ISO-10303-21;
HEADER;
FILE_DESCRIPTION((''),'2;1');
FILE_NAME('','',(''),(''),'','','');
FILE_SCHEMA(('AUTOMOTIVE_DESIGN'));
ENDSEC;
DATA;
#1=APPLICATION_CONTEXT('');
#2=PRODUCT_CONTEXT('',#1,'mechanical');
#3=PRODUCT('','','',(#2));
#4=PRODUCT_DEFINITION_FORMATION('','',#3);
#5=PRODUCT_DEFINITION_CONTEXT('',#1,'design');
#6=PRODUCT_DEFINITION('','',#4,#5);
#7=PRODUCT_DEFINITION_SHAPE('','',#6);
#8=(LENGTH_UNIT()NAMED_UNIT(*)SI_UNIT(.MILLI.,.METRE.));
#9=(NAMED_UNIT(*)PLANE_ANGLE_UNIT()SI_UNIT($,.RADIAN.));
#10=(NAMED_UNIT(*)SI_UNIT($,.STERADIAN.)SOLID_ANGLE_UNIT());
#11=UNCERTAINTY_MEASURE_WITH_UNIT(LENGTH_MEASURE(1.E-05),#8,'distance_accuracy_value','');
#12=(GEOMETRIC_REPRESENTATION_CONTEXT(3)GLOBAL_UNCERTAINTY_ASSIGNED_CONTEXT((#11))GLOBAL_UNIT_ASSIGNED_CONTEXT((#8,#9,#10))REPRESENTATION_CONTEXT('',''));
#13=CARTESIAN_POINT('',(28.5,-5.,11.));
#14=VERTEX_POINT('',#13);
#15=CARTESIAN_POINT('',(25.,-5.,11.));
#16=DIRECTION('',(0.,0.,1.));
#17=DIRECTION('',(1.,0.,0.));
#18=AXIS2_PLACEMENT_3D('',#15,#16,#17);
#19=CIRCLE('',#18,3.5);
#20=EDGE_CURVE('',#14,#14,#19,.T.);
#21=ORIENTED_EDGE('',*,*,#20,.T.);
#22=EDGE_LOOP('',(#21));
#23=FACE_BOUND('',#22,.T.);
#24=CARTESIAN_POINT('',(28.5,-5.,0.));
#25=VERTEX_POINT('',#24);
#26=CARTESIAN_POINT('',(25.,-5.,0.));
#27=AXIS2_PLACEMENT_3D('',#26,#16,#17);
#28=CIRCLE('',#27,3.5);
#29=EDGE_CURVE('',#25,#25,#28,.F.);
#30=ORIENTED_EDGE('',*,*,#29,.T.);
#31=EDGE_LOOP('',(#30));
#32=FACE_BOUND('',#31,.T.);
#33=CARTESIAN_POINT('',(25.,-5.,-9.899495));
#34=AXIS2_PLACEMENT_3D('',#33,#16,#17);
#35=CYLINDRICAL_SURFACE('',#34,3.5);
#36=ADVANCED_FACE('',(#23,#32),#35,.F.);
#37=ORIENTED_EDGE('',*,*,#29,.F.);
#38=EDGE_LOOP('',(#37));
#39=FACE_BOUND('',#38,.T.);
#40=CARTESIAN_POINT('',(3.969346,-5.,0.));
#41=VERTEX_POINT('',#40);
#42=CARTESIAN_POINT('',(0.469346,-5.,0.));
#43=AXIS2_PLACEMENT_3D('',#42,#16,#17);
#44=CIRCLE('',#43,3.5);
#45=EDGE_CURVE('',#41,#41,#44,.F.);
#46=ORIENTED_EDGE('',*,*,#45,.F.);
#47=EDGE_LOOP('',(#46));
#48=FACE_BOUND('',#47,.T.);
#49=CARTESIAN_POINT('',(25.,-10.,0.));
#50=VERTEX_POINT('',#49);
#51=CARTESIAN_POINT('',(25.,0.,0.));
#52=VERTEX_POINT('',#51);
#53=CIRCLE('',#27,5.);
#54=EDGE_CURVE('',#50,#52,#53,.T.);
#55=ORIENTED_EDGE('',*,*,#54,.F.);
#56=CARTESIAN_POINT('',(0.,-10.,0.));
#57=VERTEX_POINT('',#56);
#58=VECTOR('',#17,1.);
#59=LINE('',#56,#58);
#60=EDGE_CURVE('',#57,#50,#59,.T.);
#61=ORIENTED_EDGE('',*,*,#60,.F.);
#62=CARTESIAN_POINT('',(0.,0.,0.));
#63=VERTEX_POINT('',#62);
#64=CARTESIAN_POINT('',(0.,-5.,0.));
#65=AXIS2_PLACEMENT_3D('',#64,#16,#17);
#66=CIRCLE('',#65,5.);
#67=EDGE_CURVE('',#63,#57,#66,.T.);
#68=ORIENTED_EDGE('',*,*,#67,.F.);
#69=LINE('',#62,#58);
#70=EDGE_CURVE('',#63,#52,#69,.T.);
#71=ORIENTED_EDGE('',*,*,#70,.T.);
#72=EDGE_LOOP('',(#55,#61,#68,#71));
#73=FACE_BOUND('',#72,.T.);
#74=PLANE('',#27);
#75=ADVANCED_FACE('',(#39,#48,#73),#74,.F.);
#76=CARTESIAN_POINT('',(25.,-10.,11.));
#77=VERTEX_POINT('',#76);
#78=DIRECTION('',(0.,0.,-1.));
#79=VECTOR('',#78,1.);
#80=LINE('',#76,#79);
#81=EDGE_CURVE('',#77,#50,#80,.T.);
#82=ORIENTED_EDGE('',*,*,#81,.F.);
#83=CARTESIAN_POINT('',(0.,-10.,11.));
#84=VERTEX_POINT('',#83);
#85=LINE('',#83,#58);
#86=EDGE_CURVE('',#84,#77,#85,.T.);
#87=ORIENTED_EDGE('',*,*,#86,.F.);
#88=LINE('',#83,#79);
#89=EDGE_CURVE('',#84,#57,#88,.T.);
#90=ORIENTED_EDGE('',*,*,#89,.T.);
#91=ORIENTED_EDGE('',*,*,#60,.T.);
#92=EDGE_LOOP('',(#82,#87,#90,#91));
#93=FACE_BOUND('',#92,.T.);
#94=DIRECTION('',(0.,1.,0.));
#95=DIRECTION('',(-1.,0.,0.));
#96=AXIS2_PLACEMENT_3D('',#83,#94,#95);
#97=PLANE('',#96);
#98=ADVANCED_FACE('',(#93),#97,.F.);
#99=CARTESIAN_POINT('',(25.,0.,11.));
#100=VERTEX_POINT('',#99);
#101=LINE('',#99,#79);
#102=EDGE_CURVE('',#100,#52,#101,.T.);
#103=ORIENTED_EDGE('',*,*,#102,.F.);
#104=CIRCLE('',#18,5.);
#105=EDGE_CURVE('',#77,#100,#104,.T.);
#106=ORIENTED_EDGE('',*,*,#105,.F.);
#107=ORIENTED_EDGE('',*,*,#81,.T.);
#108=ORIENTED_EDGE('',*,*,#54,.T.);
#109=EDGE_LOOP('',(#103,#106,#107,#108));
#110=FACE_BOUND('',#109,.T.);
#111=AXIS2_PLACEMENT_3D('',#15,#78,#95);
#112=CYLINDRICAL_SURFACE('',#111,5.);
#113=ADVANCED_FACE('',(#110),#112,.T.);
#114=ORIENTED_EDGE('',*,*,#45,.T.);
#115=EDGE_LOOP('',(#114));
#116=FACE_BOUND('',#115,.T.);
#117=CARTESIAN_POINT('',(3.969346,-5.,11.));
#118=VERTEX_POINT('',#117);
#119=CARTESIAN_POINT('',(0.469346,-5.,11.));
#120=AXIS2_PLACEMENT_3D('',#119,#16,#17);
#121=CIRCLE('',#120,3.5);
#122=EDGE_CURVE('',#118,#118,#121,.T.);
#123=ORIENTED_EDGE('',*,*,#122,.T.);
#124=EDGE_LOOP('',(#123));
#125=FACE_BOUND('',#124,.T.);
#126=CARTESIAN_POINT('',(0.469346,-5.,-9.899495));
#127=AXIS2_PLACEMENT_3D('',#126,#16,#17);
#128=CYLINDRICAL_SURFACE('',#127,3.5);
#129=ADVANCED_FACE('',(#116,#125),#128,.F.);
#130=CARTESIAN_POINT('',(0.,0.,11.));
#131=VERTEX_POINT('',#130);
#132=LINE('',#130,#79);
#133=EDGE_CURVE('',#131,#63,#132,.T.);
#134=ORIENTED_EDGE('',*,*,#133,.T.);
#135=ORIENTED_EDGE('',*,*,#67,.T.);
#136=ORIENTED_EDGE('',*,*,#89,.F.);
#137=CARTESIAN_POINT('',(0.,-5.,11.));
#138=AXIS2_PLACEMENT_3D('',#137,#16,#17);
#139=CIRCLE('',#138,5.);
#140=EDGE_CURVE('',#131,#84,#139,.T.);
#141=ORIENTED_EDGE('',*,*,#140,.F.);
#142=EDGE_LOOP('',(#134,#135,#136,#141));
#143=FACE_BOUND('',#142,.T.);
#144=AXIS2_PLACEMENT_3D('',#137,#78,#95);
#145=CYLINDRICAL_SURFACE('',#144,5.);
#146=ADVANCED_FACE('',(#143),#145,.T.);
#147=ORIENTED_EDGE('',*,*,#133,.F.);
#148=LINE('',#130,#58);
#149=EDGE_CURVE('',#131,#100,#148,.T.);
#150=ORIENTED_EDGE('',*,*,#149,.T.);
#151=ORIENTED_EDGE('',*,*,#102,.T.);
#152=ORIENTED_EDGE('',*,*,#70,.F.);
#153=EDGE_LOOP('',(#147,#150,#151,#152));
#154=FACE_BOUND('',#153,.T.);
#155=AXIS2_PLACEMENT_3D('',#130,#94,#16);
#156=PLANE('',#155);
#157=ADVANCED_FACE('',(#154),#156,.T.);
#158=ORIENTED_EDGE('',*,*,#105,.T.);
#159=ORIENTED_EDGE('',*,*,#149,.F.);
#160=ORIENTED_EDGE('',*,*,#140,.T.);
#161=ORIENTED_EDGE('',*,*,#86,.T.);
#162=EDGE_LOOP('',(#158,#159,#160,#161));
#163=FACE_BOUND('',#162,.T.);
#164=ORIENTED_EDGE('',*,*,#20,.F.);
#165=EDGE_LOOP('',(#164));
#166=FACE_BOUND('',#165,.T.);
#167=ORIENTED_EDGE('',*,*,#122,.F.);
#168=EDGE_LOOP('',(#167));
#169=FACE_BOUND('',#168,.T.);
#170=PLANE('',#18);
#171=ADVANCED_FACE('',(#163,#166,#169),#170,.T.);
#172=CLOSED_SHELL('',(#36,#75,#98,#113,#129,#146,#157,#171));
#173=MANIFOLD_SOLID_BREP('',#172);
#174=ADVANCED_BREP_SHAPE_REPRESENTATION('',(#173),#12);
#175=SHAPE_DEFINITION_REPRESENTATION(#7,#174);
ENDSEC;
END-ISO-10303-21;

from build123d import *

# Parameters (mm, degrees)
SKETCH1_R           = 5
SKETCH1_W           = 25
SKETCH1_H           = 10
BOSS_EXTRUDE1_DEPTH = 11
SKETCH2_R           = 3.5
CUT_EXTRUDE1_DEPTH  = 11


with BuildPart() as part:
    # Sketch1 → Boss-Extrude1 (new body)
    with BuildSketch(Plane.XY):
        with Locations((25, -5)):
            Circle(SKETCH1_R)
        with Locations((0, -5)):
            Circle(SKETCH1_R)
        with Locations((12.5, -5)):
            Rectangle(SKETCH1_W, SKETCH1_H)
    extrude(amount=BOSS_EXTRUDE1_DEPTH)

    # Sketch2 → Cut-Extrude1 (cut)
    with BuildSketch(Plane.XY.offset(11)):
        with Locations((0.469346028, -5)):
            Circle(SKETCH2_R)
        with Locations((25, -5)):
            Circle(SKETCH2_R)
    extrude(amount=-CUT_EXTRUDE1_DEPTH, mode=Mode.SUBTRACT)


solid = part.part
